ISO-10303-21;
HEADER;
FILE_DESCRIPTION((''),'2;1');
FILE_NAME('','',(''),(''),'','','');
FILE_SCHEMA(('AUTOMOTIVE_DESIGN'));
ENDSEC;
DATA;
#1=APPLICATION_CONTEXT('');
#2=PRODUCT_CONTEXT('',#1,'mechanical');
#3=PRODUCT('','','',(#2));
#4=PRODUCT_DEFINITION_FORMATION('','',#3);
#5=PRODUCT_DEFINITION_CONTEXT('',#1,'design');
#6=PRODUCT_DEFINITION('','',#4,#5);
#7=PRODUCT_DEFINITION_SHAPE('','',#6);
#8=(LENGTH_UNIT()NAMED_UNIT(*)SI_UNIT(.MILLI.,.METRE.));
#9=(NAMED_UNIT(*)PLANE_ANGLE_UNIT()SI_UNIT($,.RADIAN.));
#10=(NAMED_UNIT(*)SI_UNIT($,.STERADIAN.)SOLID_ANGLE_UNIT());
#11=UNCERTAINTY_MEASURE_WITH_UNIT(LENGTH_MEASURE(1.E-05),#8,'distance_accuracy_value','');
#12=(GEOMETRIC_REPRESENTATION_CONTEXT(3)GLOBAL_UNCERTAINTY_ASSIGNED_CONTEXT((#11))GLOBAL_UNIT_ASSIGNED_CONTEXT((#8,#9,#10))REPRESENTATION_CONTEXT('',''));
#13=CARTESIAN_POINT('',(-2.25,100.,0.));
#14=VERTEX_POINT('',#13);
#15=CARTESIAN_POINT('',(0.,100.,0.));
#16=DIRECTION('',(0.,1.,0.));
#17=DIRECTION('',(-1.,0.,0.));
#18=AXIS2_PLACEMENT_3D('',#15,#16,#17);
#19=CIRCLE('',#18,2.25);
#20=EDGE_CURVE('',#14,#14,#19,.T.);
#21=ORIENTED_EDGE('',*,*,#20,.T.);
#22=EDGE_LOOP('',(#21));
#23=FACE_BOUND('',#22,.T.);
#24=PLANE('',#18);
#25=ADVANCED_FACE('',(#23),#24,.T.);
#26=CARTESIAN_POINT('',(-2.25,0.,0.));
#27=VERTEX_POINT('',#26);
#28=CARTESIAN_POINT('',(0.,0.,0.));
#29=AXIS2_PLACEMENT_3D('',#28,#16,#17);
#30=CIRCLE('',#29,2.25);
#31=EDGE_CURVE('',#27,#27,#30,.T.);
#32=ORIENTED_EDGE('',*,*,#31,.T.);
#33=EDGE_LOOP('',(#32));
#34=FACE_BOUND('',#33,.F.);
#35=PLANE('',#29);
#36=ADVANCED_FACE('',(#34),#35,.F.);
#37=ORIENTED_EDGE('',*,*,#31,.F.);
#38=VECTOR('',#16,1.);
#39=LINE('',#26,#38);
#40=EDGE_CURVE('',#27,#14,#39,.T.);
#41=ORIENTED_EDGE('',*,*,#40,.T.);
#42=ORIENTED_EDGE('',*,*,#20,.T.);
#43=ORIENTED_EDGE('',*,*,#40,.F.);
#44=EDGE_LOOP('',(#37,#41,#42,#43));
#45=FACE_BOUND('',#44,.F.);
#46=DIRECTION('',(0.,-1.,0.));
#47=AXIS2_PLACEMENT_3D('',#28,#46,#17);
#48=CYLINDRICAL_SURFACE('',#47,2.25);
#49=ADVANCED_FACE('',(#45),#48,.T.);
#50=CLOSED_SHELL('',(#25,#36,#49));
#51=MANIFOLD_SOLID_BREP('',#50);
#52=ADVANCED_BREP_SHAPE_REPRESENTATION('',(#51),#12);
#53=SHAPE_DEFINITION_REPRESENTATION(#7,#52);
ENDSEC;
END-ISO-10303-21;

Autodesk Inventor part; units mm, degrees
ref_plane "YZ Plane" through (0, 0, 0) normal (1, 0, 0) x (0, 1, 0)
ref_plane "XZ Plane" through (0, 0, 0) normal (0, 1, 0) x (-1, 0, 0)
ref_plane "XY Plane" through (0, 0, 0) normal (0, 0, 1) x (1, 0, 0)
sketch "Sketch1" plane through (0, 0, 0) normal (0, 1, 0) x (-1, 0, 0)
  circle A0 centre (0, 0) radius 2.25
  dimension "d0" = 4.5
extrude "Extrusion1" add sketch "Sketch1" along normal blind 100
equation "\"BendRadius\" = Thickness"
equation "\"BendReliefWidth\" = Thickness"
equation "\"BendReliefDepth\" = 0.5 * Thickness"
equation "\"CornerReliefSize\" = 4 * Thickness"
equation "\"MinimumRemnant\" = 2 * Thickness"
equation "\"TransitionRadius\" = BendRadius"
equation "\"JacobiRadiusSize\" = BendRadius"
equation "\"GapSize\" = Thickness"
equation "\"Thickness\" = 0.5"
